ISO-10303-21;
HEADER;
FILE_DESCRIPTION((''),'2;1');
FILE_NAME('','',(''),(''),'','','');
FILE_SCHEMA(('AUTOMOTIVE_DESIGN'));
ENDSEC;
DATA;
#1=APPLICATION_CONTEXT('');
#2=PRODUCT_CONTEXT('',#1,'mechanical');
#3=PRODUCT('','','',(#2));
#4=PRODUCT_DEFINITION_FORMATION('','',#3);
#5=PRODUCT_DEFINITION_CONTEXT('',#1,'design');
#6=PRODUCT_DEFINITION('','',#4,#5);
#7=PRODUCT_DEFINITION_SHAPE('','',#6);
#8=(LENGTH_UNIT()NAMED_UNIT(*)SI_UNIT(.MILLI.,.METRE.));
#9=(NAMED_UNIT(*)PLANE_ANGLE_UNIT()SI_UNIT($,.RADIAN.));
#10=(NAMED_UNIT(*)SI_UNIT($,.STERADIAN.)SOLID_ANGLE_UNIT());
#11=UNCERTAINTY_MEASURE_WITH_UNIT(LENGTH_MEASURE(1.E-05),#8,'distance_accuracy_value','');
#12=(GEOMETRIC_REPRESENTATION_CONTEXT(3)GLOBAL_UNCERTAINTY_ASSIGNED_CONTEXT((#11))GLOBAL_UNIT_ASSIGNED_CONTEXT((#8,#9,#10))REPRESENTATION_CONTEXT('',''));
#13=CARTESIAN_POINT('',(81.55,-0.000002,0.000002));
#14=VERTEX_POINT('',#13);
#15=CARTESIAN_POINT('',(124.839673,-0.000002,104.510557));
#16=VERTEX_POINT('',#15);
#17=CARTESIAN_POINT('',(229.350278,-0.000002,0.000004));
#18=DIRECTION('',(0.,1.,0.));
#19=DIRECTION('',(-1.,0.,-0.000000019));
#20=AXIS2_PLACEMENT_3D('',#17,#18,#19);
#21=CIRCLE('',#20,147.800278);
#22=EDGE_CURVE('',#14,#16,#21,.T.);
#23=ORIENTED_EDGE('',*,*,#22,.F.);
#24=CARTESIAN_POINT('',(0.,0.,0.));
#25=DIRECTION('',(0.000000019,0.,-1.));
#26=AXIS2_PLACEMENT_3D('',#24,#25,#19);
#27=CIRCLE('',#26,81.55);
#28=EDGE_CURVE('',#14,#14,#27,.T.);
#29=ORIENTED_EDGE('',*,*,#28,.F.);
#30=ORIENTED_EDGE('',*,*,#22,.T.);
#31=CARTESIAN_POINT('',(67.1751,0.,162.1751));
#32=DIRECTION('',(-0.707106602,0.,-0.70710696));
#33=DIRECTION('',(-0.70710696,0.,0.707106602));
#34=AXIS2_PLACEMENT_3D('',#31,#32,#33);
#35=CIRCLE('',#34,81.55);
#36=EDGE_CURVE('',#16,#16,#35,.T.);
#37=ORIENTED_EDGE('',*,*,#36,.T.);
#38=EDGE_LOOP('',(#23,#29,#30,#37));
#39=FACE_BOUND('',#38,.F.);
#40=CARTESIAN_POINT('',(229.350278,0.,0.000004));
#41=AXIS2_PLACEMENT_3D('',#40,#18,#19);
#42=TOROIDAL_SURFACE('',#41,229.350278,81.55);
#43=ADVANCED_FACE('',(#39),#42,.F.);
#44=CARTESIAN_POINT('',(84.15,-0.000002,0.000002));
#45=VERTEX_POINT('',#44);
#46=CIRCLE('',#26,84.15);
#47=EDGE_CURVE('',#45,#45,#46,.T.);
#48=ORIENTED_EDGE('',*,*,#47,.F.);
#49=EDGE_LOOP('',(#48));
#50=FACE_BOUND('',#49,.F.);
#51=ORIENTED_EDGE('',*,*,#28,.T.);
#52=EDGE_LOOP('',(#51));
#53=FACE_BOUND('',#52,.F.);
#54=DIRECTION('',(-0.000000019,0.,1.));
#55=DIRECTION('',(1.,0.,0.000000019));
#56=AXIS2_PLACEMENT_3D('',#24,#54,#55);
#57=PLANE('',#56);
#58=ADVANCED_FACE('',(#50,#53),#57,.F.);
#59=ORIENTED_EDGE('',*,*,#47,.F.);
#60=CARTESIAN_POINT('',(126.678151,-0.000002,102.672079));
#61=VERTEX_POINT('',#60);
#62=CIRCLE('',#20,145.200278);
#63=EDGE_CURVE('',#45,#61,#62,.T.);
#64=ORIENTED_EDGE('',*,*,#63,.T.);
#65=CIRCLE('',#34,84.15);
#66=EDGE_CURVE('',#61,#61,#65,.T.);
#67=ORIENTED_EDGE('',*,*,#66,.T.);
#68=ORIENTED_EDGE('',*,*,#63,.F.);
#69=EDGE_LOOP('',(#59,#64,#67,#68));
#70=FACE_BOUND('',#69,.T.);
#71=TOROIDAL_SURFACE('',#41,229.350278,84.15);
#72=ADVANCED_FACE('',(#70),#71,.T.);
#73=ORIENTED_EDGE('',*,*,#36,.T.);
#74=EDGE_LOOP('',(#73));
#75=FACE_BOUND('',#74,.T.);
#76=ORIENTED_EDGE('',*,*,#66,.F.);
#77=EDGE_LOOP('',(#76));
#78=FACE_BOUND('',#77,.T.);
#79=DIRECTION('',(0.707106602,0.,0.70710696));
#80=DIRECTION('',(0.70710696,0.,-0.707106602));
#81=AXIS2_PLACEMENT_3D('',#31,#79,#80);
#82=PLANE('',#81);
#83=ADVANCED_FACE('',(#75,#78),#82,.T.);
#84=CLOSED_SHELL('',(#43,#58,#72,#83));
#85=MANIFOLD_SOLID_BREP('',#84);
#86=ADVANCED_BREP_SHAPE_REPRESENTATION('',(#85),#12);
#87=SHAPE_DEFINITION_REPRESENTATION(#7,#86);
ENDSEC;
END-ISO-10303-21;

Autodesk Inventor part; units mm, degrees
ref_plane "YZ Plane" through (0, 0, 0) normal (1, 0, 0) x (0, 1, 0)
ref_plane "XZ Plane" through (0, 0, 0) normal (0, 1, 0) x (-1, 0, 0)
ref_plane "XY Plane" through (0, 0, 0) normal (0, 0, 1) x (1, 0, 0)
sketch "Sketch1" plane through (0, 0, 0) normal (0, 0, 1) x (1, 0, 0)
  circle A0 centre (0, 0) radius 81.55
  circle A1 centre (0, 0) radius 84.15
  dimension "d0" = 163.1
  dimension "d1" = 168.3
sketch "Sketch2" plane through (0, 0, 0) normal (0, 1, 0) x (-1, 0, 0)
  line L0 (0, 0) -> (0, 95) construction
  line L1 (0, 95) -> (-67.1751, 162.1751) construction
  arc A0 (0, 0) -> (-67.1751, 162.1751) centre (-229.3503, 0) ccw
  dimension "d2" = 95
  dimension "d3" = 45
  dimension "d4" = 95
sweep "Sweep1" add profiles "Sketch1" path "Sketch2"
equation "\"d0\" = -2 * s1 + da"
equation "\"d1\" = da"
equation "\"d2\" = e"
equation "\"d4\" = e"
equation "\"da\" = 168.3"
equation "\"e\" = 95"
equation "\"s1\" = 2.6"
equation "\"Size_Designation\" = 1.2345"
properties part number "DIN 2605 45 Deg Elbow Type 3 168.3 - 2.6S" material "Steel"
